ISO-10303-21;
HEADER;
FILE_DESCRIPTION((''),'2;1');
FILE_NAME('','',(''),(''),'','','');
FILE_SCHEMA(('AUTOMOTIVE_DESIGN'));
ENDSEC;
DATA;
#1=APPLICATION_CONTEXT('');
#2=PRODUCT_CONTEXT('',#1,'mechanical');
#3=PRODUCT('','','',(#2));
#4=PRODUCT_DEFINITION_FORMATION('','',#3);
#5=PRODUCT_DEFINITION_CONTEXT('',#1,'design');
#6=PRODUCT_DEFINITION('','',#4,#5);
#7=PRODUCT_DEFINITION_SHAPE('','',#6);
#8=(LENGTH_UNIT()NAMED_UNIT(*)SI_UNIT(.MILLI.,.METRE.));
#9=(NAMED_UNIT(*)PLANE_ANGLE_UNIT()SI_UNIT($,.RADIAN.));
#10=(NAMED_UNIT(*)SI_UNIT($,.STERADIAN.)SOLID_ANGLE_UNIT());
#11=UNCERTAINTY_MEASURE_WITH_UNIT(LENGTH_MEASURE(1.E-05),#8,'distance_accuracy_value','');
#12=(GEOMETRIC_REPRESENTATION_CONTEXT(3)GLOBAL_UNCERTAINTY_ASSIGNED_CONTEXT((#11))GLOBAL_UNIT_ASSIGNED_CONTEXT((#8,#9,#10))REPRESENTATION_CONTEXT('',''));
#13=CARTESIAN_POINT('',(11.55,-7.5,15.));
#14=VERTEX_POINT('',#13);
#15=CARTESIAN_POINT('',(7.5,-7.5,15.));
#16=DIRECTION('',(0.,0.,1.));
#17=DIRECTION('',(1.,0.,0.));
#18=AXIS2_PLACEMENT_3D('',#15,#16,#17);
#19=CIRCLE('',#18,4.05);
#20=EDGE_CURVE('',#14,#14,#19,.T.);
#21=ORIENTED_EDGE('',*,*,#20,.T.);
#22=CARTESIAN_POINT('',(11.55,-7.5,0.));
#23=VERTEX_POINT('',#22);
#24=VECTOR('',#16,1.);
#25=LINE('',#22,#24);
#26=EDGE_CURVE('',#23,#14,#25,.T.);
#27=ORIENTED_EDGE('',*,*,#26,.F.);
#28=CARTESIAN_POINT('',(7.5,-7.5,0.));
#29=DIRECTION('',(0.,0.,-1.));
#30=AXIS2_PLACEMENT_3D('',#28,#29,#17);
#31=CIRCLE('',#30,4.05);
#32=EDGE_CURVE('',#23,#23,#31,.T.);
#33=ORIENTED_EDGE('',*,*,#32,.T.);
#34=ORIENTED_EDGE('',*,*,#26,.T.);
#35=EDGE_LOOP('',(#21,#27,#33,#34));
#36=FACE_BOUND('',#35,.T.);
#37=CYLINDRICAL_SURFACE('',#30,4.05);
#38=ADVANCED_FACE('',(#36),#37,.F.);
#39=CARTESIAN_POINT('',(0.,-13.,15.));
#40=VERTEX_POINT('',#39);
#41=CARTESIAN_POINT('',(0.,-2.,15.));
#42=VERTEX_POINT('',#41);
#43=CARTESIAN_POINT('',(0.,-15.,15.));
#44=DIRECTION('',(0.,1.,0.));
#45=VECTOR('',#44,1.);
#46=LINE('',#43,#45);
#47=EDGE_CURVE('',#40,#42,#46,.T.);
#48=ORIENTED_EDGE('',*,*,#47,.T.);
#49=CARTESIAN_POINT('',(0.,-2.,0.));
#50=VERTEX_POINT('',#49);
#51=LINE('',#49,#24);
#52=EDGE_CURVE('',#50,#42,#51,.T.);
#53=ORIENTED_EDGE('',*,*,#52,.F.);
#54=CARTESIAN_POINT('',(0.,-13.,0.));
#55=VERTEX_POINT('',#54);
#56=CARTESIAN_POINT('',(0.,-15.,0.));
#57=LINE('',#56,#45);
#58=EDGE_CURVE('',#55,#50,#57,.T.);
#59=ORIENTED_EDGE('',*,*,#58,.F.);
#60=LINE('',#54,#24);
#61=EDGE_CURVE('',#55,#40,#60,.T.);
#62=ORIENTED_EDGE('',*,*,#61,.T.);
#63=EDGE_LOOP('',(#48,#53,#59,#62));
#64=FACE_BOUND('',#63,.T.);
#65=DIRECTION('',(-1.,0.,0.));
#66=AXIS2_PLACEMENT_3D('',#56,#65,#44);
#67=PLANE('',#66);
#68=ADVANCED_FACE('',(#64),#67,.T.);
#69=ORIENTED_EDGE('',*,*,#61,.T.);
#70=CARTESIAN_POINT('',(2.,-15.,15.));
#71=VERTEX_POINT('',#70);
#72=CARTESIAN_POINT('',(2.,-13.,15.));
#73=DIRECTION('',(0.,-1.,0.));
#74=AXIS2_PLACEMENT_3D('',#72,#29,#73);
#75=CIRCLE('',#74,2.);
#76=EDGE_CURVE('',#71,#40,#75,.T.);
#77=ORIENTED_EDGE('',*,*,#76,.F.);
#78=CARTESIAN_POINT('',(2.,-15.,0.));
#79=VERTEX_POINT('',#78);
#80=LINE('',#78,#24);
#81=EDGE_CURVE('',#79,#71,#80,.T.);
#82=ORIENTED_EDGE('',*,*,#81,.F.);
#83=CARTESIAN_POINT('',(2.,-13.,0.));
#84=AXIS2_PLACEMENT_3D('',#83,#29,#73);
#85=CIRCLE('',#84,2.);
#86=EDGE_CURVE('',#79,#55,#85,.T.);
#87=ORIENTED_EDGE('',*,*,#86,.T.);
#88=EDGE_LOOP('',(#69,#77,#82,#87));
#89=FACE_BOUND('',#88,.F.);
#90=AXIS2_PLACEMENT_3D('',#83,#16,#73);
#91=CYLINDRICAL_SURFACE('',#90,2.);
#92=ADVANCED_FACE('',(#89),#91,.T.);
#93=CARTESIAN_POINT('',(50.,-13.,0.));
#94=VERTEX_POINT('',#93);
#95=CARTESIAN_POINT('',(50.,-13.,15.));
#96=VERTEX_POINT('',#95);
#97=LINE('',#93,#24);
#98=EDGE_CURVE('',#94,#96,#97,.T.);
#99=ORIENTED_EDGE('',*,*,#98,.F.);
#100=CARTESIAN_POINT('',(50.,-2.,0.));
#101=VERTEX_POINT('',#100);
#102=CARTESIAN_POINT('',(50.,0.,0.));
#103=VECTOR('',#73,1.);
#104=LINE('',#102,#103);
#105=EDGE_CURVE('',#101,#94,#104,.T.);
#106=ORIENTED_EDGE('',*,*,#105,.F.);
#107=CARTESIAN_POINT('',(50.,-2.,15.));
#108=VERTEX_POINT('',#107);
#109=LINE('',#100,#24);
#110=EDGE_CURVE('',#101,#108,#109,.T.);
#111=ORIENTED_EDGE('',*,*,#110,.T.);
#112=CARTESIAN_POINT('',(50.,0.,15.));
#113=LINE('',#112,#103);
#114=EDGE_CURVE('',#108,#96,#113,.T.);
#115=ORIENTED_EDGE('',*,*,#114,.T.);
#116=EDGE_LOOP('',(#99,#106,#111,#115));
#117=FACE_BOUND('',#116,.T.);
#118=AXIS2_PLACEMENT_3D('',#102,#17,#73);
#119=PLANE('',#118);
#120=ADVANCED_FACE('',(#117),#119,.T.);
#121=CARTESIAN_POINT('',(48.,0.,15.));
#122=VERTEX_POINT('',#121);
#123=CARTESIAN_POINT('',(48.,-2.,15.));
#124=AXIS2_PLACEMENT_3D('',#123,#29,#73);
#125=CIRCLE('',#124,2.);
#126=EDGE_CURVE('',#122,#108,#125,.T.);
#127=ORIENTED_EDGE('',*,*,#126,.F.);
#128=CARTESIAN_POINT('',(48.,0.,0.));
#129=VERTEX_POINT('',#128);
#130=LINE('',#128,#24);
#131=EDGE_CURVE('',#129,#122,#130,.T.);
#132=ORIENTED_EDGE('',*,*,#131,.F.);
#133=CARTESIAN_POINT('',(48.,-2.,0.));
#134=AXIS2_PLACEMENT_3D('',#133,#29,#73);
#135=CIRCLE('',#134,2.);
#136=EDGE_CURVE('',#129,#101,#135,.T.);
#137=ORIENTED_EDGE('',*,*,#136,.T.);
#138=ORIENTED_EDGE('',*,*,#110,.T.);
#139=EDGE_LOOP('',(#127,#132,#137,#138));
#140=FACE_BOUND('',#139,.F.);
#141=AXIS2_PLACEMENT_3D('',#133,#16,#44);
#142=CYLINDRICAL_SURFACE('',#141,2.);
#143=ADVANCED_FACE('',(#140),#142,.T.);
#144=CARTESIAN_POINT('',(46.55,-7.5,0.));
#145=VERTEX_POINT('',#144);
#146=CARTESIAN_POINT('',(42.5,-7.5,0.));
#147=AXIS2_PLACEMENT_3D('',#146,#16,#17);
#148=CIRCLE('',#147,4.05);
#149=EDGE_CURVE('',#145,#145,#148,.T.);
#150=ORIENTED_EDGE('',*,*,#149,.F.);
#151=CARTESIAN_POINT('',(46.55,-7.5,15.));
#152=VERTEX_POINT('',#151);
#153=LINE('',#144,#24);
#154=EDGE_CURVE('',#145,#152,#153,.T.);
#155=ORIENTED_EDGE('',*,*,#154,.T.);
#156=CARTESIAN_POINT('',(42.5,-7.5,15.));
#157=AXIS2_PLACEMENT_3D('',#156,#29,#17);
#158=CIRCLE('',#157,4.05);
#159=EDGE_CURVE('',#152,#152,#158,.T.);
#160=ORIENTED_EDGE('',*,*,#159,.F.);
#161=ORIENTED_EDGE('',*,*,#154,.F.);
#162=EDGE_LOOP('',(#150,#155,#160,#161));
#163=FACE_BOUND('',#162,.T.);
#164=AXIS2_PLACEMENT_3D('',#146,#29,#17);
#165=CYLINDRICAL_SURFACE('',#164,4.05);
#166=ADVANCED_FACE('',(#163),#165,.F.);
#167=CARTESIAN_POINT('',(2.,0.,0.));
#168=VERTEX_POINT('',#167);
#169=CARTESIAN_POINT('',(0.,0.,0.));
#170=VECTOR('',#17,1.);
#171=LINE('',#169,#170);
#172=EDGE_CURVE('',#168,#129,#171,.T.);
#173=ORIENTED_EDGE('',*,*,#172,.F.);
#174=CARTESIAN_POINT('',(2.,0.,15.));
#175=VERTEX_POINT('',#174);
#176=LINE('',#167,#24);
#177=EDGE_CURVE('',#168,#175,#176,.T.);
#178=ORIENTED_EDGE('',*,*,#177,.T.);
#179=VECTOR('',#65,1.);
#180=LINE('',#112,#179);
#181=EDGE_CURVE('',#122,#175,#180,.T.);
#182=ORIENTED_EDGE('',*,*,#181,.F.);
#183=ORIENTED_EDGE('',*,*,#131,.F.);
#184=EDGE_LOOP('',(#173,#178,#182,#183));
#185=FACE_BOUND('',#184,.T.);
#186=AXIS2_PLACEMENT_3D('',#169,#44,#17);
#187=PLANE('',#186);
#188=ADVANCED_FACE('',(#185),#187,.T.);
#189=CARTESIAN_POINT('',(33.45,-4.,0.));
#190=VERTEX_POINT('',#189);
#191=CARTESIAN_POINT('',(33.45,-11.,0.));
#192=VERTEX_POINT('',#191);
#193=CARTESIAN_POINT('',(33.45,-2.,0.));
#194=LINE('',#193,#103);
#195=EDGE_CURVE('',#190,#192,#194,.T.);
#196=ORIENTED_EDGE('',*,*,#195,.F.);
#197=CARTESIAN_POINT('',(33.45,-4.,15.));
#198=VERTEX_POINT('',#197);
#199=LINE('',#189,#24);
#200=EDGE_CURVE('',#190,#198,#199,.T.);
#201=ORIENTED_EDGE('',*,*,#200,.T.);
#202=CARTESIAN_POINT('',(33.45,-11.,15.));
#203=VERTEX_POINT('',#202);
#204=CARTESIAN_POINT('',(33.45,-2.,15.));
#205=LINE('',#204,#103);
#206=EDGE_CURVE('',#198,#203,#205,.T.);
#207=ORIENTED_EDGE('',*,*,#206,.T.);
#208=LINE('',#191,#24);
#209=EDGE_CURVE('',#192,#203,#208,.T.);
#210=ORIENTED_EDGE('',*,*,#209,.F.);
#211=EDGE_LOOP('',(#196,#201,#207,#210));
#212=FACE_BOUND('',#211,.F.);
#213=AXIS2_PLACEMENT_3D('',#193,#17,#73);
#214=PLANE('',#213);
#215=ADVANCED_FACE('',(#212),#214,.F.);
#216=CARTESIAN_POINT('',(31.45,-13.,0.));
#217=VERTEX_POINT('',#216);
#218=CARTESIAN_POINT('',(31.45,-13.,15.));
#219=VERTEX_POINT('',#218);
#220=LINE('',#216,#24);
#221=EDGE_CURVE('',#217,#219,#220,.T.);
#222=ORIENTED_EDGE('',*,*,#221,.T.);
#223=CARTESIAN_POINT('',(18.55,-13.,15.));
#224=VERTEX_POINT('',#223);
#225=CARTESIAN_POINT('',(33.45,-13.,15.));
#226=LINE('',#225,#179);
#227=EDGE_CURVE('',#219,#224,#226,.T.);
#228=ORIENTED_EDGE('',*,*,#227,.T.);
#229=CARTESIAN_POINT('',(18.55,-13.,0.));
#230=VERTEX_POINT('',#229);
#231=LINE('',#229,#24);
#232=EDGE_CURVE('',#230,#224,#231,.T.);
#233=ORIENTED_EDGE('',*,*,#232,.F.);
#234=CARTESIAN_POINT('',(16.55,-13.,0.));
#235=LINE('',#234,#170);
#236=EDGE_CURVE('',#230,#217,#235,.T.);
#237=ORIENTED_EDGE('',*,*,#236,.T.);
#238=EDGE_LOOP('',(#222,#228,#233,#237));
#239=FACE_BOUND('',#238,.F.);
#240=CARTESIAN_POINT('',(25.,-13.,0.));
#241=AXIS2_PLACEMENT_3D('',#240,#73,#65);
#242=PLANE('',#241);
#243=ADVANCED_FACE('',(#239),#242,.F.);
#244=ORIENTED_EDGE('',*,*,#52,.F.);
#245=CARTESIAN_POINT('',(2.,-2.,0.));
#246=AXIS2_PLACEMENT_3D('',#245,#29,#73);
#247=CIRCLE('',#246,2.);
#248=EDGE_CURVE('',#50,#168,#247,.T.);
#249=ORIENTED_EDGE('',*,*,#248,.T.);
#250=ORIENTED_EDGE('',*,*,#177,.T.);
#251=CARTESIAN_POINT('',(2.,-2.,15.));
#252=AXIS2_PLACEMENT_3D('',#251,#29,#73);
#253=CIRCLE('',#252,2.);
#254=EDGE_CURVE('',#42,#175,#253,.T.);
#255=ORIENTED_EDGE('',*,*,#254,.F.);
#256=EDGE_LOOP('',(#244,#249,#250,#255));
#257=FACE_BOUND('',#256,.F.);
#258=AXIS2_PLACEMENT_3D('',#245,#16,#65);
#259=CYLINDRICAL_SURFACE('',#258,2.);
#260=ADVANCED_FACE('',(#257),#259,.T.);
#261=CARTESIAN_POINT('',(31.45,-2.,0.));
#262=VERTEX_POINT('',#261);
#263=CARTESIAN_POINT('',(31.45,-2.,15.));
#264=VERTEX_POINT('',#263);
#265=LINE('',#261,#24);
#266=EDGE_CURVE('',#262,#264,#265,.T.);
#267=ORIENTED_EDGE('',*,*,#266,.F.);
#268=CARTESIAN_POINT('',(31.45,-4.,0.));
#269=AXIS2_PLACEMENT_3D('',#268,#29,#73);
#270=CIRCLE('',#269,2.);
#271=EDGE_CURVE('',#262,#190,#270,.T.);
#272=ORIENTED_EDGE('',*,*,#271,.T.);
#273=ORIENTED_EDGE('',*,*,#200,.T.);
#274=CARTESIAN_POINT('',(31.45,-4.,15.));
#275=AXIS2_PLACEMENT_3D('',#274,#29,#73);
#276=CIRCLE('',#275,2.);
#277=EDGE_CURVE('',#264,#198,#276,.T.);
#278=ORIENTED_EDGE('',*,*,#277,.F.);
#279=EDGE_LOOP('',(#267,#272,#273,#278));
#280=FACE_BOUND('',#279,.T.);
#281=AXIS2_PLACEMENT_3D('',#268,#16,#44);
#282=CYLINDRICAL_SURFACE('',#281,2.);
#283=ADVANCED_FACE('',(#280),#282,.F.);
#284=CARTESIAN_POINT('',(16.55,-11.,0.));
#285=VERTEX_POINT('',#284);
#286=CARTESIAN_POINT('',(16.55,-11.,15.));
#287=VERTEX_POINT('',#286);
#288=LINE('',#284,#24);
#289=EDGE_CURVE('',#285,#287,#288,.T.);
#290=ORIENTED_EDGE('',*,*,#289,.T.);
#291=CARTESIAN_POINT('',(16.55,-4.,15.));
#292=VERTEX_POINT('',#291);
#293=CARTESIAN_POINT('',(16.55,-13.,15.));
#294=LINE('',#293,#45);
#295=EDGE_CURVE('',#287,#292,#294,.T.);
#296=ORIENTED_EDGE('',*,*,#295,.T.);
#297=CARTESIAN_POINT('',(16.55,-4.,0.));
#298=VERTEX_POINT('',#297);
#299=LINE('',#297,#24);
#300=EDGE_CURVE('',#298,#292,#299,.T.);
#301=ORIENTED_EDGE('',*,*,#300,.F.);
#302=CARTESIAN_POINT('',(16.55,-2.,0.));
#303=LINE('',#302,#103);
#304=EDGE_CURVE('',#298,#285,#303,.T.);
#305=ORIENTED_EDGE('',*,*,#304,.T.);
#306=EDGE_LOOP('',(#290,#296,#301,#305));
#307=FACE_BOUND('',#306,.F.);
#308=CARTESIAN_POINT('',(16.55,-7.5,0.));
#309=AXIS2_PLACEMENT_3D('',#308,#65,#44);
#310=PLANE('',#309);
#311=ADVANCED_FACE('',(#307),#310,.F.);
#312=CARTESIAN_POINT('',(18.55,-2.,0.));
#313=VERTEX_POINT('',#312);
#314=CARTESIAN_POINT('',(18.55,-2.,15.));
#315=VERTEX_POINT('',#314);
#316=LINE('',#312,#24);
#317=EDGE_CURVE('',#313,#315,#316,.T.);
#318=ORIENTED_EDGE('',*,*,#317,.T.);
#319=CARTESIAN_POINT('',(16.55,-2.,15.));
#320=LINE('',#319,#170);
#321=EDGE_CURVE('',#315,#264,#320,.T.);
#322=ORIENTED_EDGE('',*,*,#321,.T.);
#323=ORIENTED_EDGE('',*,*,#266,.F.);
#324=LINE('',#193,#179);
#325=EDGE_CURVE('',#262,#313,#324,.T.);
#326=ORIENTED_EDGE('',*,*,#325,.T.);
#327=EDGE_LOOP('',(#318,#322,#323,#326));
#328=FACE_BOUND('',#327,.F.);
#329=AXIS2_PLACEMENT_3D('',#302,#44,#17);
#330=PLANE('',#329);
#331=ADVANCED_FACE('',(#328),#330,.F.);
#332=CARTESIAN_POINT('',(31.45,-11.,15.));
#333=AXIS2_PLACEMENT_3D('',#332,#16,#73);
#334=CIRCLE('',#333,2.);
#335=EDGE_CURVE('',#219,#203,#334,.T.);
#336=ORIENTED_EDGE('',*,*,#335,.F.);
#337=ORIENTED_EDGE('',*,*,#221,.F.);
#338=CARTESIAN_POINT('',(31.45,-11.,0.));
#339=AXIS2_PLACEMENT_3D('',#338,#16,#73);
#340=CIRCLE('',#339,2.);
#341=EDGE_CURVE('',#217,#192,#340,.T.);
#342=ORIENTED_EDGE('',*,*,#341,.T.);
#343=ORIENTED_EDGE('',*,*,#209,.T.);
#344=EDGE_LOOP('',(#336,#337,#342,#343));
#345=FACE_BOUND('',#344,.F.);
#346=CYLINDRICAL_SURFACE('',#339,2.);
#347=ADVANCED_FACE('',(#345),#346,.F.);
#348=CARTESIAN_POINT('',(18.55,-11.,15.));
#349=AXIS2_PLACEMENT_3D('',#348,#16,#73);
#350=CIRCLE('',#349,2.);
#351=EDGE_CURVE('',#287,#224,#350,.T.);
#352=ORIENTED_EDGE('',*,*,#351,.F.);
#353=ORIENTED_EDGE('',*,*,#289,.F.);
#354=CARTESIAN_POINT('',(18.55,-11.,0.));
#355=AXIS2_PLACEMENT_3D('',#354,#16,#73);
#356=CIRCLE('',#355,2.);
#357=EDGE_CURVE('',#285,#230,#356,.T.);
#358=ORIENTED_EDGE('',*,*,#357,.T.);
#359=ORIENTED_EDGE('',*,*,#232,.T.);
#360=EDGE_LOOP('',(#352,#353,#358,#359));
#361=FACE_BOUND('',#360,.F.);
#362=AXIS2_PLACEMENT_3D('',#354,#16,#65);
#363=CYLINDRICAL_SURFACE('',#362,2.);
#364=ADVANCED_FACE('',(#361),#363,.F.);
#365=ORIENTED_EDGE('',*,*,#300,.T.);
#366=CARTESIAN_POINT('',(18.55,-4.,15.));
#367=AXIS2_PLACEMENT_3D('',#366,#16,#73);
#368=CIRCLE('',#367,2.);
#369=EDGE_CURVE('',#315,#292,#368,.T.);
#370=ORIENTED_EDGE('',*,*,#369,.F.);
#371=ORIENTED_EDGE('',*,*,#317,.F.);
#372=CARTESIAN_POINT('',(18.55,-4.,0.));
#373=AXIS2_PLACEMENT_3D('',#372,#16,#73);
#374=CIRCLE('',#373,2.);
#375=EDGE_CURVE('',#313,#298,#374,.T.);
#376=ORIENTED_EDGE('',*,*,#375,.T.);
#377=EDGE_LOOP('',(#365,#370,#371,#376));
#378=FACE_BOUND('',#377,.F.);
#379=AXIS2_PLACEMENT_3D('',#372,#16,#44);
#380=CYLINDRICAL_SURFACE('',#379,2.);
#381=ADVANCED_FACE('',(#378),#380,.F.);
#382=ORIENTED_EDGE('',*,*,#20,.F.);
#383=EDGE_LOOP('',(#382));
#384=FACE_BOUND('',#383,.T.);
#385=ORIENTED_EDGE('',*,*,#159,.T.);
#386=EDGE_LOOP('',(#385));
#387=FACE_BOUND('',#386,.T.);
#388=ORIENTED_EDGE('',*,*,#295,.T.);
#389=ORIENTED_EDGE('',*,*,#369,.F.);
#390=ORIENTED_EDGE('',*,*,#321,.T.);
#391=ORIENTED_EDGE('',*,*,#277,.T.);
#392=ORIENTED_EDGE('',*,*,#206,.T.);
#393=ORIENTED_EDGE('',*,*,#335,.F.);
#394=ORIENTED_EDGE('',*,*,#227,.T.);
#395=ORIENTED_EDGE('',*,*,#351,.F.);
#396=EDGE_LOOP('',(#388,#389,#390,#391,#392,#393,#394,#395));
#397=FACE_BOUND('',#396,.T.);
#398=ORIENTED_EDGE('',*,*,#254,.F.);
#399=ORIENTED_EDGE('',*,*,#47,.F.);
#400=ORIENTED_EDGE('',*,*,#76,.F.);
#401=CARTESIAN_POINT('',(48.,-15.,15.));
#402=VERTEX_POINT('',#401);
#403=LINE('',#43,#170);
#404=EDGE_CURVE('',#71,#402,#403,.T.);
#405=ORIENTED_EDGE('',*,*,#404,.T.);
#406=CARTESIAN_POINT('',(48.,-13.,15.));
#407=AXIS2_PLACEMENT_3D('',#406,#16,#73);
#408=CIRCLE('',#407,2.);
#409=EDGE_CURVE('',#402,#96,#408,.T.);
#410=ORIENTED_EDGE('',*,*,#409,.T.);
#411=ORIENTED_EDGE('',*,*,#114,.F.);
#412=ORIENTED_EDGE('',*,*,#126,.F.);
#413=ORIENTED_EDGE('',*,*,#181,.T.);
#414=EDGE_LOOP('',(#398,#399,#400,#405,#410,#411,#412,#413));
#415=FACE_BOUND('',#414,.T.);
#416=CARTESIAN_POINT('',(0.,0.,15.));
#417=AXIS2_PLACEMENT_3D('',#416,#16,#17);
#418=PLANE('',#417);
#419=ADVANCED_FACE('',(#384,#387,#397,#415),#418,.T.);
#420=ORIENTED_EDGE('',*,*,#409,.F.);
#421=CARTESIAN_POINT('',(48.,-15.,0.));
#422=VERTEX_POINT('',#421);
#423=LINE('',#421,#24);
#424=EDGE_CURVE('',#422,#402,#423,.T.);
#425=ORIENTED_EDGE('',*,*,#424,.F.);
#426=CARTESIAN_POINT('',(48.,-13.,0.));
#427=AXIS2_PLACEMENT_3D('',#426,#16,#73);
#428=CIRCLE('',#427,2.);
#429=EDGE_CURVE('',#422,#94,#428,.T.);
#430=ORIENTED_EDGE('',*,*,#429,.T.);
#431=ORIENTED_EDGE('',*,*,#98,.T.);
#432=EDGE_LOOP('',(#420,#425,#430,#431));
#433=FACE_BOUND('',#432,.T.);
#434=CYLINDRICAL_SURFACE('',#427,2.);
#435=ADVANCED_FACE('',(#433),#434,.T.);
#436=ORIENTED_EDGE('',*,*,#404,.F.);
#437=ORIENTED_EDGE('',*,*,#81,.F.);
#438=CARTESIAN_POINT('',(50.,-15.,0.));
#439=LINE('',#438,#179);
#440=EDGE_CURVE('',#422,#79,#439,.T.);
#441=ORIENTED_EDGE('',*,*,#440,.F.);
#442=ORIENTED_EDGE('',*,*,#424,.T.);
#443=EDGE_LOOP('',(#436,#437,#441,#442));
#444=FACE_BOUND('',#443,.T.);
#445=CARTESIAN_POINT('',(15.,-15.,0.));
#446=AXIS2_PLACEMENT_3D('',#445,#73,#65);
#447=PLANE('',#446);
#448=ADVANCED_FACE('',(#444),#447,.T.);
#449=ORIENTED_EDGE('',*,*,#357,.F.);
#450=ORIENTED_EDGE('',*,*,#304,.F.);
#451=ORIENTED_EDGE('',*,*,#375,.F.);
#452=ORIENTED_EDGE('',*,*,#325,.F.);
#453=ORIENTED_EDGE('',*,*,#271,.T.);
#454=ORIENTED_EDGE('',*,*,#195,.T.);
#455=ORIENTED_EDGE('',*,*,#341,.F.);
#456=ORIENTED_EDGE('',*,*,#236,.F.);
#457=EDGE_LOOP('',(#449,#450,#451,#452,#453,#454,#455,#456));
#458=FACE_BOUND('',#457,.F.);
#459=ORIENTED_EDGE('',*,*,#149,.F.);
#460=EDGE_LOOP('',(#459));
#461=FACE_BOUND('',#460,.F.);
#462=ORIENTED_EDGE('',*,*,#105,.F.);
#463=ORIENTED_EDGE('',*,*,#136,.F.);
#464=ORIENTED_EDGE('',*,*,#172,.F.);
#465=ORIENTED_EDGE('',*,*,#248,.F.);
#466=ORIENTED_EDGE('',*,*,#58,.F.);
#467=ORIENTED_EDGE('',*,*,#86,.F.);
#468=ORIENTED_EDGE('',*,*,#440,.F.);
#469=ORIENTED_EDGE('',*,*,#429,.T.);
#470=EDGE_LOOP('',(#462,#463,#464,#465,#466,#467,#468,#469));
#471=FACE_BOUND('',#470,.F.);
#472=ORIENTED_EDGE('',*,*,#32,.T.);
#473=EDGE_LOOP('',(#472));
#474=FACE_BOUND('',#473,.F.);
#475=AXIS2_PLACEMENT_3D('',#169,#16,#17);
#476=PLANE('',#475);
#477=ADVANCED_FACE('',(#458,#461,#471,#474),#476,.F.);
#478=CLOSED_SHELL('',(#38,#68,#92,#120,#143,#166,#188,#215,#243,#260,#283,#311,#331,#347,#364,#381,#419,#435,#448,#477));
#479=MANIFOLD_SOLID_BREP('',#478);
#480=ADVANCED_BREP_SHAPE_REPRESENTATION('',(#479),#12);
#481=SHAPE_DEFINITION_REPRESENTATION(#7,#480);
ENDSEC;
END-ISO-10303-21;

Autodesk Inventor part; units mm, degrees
ref_plane "YZ Plane" through (0, 0, 0) normal (1, 0, 0) x (0, 1, 0)
ref_plane "XZ Plane" through (0, 0, 0) normal (0, 1, 0) x (-1, 0, 0)
ref_plane "XY Plane" through (0, 0, 0) normal (0, 0, 1) x (1, 0, 0)
sketch "Sketch1" plane through (0, 0, 0) normal (0, 0, 1) x (1, 0, 0)
  line L0 (0, 0) -> (50, 0)
  line L1 (50, 0) -> (50, -15)
  line L2 (50, -15) -> (0, -15)
  line L3 (0, -15) -> (0, 0)
  line L4 (0, 0) -> (15, -15)
  line L5 (0, 0) -> (21.2132, 0) construction
  circle A0 centre (7.5, -7.5) radius 4.05
  line L6 (50, 0) -> (35, -15)
  circle A1 centre (42.5, -7.5) radius 4.05
  line L7 (11.55, -7.5) -> (16.55, -7.5)
  line L8 (25, -15) -> (25, -13)
  line L9 (25, 0) -> (25, -2)
  line L10 (33.45, -13) -> (16.55, -13)
  line L11 (16.55, -13) -> (16.55, -2)
  line L12 (16.55, -2) -> (33.45, -2)
  line L13 (33.45, -2) -> (33.45, -13)
  line L14 (33.45, -13) -> (16.55, -2) construction
  line L15 (16.55, -13) -> (33.45, -2) construction
  point P0 (25, -7.5)
  dimension "d3" = 8.1
  dimension "d0" = 50
  dimension "d1" = 15
  dimension "d2" = 45
  dimension "d4" = 8.1
  dimension "d5" = 45
  dimension "d9" = 5
  dimension "d10" = 2
  dimension "d11" = 2
extrude "Extrusion1" add sketch "Sketch1" along normal blind 15 contours L4 A0 L2 L3 | L0 L9 L12 L11 L7 A0 L4 | L0 L6 A1 L2 L8 L10 L13 L12 L9 | L1 L2 L6 A1 | L4 A0 L7 L11 L10 L8 L2
fillet "Fillet1" radius 2 8 edges at (50, 0, 7.5) (50, -15, 7.5) (0, 0, 7.5) (0, -15, 7.5) (16.55, -13, 7.5) (16.55, -2, 7.5) (33.45, -2, 7.5) (33.45, -13, 7.5)
properties part number "Support_Seperator"
